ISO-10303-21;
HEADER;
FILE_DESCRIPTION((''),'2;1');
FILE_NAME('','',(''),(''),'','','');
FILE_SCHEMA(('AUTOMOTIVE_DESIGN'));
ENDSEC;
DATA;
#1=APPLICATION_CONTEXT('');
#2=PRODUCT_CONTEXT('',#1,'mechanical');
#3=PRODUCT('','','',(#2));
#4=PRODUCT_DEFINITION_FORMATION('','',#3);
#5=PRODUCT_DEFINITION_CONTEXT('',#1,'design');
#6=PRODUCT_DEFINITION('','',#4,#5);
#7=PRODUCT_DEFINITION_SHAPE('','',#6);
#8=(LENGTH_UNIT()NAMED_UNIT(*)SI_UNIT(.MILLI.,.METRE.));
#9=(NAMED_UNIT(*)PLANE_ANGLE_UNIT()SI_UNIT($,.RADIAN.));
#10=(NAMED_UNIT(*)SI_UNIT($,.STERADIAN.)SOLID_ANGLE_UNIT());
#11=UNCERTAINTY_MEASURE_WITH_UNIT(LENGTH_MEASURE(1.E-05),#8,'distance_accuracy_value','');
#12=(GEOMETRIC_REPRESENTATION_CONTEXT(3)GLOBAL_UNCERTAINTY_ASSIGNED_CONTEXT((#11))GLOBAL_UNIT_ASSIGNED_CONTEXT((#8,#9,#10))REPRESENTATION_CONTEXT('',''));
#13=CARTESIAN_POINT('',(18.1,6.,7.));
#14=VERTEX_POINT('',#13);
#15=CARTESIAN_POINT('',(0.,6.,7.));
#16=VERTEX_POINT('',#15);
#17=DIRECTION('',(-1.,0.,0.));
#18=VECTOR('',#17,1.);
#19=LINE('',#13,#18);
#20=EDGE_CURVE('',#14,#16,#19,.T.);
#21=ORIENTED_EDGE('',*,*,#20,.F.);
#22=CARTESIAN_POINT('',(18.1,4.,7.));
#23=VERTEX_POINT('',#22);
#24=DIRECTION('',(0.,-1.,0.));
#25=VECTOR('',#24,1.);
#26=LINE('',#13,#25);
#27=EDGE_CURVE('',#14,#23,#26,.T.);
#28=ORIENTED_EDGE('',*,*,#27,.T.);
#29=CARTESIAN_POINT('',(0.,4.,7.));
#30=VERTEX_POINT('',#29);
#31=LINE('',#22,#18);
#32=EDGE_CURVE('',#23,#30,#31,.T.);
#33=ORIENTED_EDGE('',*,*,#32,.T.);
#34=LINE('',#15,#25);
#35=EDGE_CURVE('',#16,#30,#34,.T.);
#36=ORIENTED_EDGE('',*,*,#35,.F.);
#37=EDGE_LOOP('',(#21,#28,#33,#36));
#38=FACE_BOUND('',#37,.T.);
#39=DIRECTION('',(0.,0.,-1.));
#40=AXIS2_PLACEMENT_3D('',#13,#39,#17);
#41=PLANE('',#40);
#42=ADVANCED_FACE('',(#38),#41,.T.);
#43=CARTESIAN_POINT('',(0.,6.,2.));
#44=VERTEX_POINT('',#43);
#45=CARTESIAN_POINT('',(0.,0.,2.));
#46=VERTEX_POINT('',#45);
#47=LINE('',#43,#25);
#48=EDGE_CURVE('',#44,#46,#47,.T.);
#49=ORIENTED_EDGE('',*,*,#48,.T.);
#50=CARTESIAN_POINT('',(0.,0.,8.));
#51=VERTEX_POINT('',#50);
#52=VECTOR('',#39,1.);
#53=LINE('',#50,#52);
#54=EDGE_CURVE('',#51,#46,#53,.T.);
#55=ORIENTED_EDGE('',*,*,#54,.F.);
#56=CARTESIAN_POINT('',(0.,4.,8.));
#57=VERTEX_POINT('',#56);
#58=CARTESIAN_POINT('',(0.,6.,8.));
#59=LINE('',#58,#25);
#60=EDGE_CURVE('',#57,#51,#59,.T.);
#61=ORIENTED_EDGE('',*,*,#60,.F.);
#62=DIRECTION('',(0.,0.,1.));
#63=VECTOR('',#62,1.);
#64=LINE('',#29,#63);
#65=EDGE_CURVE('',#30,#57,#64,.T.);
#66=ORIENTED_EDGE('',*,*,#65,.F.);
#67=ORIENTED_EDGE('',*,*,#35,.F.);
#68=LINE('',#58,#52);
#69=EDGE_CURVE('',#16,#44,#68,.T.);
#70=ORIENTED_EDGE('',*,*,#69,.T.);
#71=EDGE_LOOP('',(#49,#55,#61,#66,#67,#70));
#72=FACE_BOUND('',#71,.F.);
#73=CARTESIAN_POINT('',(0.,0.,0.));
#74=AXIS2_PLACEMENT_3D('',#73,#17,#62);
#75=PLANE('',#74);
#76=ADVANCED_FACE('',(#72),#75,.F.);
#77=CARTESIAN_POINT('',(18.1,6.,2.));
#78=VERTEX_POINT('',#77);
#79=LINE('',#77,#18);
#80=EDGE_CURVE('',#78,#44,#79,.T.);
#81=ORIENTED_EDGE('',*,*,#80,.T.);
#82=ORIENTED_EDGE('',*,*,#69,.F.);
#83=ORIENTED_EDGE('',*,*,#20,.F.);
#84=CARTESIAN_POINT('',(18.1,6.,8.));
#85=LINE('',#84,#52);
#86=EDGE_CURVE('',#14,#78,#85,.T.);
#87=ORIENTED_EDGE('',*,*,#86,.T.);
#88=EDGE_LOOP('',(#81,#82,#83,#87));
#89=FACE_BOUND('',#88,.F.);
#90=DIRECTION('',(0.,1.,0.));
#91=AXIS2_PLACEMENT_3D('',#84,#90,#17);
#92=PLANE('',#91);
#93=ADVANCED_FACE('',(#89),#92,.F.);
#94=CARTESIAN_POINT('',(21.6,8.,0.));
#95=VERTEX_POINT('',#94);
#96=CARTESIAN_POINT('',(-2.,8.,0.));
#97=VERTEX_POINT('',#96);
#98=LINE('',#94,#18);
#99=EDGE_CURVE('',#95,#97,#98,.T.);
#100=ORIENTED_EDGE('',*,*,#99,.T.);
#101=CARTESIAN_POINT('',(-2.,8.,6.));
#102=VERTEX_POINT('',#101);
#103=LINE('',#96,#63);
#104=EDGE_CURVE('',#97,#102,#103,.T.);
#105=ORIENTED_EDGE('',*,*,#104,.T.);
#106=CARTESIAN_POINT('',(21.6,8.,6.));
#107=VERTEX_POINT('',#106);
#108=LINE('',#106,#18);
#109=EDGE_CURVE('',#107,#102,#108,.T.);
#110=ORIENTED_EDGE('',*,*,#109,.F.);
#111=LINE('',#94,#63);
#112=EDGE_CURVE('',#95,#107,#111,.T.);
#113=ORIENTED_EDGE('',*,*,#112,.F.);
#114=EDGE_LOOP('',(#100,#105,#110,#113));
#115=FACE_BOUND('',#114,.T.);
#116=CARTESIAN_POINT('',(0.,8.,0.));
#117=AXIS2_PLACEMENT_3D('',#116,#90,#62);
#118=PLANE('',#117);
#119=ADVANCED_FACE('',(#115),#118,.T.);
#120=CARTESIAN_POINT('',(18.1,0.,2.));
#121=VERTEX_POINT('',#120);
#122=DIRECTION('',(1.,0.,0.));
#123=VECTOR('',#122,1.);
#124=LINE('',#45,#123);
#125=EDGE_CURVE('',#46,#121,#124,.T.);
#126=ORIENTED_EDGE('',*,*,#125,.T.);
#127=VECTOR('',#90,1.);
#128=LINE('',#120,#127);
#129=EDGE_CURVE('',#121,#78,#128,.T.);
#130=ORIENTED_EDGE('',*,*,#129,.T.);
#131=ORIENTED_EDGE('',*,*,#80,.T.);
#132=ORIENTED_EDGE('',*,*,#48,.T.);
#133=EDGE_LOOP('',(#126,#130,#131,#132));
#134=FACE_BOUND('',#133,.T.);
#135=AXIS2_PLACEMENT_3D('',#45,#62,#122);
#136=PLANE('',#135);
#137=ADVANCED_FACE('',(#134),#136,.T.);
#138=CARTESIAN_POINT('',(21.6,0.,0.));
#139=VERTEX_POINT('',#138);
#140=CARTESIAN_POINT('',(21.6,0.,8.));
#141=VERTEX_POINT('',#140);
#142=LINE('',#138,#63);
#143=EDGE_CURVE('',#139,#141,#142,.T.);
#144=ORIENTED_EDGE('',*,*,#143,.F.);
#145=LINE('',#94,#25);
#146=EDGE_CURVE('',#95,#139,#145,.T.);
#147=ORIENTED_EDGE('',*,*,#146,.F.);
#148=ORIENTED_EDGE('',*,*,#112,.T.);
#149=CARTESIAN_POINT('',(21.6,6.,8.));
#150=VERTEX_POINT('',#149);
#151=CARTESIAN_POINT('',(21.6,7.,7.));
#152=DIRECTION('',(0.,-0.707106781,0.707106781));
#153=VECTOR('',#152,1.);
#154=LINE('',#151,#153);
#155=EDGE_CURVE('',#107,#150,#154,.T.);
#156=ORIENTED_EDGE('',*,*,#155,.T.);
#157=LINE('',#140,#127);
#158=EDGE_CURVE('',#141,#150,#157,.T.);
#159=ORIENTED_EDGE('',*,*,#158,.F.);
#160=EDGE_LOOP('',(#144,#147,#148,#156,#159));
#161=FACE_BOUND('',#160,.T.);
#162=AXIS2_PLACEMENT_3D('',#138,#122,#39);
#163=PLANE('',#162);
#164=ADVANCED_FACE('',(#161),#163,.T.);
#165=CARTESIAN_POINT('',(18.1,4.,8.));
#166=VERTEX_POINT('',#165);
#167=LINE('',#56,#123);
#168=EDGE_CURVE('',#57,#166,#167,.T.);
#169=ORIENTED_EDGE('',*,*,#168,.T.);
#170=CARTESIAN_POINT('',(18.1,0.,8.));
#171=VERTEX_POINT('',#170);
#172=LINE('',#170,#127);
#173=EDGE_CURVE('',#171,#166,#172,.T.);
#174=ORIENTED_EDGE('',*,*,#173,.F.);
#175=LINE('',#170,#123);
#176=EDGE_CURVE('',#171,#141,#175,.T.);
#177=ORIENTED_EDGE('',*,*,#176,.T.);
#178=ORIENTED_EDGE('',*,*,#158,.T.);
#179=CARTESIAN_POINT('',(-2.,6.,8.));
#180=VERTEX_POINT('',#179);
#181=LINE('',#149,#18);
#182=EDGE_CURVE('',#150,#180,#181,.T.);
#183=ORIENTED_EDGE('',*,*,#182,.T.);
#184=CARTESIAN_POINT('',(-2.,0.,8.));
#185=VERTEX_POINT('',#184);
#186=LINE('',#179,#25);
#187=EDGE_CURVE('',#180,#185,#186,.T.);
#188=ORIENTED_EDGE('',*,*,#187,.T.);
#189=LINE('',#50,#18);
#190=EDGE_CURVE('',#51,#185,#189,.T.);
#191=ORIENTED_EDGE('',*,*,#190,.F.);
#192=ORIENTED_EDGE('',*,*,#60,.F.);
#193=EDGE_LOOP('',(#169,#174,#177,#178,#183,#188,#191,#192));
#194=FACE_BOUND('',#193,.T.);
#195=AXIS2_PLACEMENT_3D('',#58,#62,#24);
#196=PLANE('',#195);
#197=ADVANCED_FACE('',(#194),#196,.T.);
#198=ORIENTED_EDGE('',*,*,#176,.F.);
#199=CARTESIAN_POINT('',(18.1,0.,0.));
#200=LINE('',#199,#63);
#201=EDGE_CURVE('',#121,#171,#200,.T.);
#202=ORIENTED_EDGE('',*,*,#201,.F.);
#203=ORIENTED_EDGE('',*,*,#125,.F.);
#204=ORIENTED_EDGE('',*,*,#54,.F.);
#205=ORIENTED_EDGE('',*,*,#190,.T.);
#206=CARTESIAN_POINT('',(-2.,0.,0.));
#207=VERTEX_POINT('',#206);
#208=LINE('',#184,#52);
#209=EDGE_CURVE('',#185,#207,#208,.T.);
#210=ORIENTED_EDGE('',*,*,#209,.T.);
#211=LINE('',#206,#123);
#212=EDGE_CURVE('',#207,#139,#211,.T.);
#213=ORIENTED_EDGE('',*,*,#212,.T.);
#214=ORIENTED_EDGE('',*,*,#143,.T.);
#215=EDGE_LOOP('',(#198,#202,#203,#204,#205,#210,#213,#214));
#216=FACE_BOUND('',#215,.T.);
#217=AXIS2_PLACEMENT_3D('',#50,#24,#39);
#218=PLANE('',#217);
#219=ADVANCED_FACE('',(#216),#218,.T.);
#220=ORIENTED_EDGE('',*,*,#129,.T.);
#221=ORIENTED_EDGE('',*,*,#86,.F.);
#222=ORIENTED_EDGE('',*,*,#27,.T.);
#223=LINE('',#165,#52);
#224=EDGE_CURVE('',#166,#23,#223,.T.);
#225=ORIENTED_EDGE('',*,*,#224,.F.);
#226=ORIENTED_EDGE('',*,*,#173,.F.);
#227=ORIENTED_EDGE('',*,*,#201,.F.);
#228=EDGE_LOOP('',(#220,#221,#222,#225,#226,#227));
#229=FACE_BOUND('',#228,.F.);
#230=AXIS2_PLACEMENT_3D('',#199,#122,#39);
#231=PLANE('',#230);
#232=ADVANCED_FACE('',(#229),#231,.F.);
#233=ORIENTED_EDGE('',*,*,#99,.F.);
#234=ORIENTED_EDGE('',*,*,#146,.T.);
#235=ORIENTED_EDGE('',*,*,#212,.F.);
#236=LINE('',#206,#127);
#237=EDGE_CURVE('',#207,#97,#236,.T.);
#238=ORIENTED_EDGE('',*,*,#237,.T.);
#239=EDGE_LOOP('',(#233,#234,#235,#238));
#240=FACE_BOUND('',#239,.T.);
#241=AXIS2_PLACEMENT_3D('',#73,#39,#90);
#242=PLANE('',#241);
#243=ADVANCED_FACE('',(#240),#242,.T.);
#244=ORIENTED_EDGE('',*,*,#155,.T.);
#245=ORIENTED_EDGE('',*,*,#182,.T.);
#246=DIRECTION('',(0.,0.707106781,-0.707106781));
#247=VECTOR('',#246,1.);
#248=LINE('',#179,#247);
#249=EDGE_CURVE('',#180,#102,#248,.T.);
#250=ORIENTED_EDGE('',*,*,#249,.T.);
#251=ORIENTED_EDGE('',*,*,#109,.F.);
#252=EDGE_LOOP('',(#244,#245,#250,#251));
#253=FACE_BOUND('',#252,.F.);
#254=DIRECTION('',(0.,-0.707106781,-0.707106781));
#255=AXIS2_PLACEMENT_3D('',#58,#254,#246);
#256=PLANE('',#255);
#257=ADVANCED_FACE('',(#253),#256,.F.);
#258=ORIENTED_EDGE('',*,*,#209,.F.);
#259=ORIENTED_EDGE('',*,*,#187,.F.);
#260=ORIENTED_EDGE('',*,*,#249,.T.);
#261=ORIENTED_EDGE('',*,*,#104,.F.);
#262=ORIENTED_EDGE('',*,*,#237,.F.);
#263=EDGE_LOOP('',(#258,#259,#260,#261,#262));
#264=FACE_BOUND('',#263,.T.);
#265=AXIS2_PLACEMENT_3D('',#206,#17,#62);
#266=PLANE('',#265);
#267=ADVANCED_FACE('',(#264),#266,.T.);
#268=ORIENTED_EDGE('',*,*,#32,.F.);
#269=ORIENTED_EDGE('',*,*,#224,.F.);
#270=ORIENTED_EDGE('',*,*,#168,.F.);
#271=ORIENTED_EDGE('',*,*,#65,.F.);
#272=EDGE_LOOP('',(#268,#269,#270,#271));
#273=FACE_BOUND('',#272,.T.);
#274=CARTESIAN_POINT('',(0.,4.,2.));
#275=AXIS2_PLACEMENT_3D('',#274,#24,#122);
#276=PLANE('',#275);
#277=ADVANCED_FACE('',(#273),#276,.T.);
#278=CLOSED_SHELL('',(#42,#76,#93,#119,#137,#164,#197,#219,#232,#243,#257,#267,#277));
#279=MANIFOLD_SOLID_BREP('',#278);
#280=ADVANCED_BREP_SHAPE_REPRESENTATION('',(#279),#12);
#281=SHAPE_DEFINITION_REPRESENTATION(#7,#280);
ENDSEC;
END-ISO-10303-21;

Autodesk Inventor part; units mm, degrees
ref_plane "YZ Plane" through (0, 0, 0) normal (1, 0, 0) x (0, 1, 0)
ref_plane "XZ Plane" through (0, 0, 0) normal (0, 1, 0) x (-1, 0, 0)
sketch "Эскиз1" plane through (0, 0, 0) normal (0, 0, 1) x (1, 0, 0)
  line L0 (0, 0) -> (18.1, 0)
  line L1 (18.1, 0) -> (18.1, 8)
  line L2 (18.1, 8) -> (0, 8)
  line L3 (0, 8) -> (0, 0)
  dimension "d0" = 18.1
  dimension "d1" = 8
extrude "Выдавливание1" add sketch "Эскиз1" along normal blind 8
sketch "Эскиз2" plane through (0, 0, 8) normal (0, 0, 1) x (1, 0, 0)
  line L0 (0, 0) -> (18.1, 0) projected
  line L1 (18.1, 0) -> (18.1, 8) projected
  line L2 (0, 0) -> (18.1, 0)
  line L3 (18.1, 0) -> (18.1, 6)
  line L4 (18.1, 6) -> (0, 6)
  line L5 (0, 6) -> (0, 0)
  dimension "d4" = 6
extrude "Выдавливание2" cut sketch "Эскиз2" against normal blind 6
ref_plane "РабПлоскость1" through (9.05, 0, 0) normal (1, 0, 0) x (0, 0, -1)
sketch "Эскиз3" plane through (18.1, 0, 0) normal (1, 0, 0) x (0, 0, -1)
  line L0 (0, 8) -> (-8, 8) projected
  line L1 (0, 8) -> (0, 0) projected
  line L2 (-8, 8) -> (0, 8)
  line L3 (0, 8) -> (0, 0)
  line L4 (0, 0) -> (-8, 0)
  line L5 (-8, 0) -> (-8, 8)
extrude "Выдавливание3" add sketch "Эскиз3" along normal blind 3.5
chamfer "Фаска1" distance 2 angle 45 1 edges at (10.8, 8, 8)
sketch "Эскиз6" plane through (0, 6, 2) normal (0, -1, 0) x (1, 0, 0)
  line L0 (18.1, 6) -> (18.1, 0) projected
  line L1 (0, 6) -> (18.1, 6)
  line L2 (18.1, 6) -> (18.1, 5)
  line L3 (18.1, 5) -> (0, 5)
  line L4 (0, 5) -> (0, 6)
  line L5 (0, 0) -> (0, 6) projected
  point P0 (18, -2)
  dimension "d20" = 1
extrude "Выдавливание6" add sketch "Эскиз6" along normal blind 2
sketch "Эскиз7" plane through (0, 0, 0) normal (-1, 0, 0) x (0, 0, 1)
  line L0 (8, 6) -> (6, 8) projected
  line L1 (8, 6) -> (8, 0) projected
  line L2 (8, 0) -> (0, 0) projected
  line L3 (0, 0) -> (0, 8) projected
  line L4 (0, 8) -> (6, 8) projected
extrude "Выдавливание7" add sketch "Эскиз7" along normal blind 2
properties part number "Поворотный стоппер"
